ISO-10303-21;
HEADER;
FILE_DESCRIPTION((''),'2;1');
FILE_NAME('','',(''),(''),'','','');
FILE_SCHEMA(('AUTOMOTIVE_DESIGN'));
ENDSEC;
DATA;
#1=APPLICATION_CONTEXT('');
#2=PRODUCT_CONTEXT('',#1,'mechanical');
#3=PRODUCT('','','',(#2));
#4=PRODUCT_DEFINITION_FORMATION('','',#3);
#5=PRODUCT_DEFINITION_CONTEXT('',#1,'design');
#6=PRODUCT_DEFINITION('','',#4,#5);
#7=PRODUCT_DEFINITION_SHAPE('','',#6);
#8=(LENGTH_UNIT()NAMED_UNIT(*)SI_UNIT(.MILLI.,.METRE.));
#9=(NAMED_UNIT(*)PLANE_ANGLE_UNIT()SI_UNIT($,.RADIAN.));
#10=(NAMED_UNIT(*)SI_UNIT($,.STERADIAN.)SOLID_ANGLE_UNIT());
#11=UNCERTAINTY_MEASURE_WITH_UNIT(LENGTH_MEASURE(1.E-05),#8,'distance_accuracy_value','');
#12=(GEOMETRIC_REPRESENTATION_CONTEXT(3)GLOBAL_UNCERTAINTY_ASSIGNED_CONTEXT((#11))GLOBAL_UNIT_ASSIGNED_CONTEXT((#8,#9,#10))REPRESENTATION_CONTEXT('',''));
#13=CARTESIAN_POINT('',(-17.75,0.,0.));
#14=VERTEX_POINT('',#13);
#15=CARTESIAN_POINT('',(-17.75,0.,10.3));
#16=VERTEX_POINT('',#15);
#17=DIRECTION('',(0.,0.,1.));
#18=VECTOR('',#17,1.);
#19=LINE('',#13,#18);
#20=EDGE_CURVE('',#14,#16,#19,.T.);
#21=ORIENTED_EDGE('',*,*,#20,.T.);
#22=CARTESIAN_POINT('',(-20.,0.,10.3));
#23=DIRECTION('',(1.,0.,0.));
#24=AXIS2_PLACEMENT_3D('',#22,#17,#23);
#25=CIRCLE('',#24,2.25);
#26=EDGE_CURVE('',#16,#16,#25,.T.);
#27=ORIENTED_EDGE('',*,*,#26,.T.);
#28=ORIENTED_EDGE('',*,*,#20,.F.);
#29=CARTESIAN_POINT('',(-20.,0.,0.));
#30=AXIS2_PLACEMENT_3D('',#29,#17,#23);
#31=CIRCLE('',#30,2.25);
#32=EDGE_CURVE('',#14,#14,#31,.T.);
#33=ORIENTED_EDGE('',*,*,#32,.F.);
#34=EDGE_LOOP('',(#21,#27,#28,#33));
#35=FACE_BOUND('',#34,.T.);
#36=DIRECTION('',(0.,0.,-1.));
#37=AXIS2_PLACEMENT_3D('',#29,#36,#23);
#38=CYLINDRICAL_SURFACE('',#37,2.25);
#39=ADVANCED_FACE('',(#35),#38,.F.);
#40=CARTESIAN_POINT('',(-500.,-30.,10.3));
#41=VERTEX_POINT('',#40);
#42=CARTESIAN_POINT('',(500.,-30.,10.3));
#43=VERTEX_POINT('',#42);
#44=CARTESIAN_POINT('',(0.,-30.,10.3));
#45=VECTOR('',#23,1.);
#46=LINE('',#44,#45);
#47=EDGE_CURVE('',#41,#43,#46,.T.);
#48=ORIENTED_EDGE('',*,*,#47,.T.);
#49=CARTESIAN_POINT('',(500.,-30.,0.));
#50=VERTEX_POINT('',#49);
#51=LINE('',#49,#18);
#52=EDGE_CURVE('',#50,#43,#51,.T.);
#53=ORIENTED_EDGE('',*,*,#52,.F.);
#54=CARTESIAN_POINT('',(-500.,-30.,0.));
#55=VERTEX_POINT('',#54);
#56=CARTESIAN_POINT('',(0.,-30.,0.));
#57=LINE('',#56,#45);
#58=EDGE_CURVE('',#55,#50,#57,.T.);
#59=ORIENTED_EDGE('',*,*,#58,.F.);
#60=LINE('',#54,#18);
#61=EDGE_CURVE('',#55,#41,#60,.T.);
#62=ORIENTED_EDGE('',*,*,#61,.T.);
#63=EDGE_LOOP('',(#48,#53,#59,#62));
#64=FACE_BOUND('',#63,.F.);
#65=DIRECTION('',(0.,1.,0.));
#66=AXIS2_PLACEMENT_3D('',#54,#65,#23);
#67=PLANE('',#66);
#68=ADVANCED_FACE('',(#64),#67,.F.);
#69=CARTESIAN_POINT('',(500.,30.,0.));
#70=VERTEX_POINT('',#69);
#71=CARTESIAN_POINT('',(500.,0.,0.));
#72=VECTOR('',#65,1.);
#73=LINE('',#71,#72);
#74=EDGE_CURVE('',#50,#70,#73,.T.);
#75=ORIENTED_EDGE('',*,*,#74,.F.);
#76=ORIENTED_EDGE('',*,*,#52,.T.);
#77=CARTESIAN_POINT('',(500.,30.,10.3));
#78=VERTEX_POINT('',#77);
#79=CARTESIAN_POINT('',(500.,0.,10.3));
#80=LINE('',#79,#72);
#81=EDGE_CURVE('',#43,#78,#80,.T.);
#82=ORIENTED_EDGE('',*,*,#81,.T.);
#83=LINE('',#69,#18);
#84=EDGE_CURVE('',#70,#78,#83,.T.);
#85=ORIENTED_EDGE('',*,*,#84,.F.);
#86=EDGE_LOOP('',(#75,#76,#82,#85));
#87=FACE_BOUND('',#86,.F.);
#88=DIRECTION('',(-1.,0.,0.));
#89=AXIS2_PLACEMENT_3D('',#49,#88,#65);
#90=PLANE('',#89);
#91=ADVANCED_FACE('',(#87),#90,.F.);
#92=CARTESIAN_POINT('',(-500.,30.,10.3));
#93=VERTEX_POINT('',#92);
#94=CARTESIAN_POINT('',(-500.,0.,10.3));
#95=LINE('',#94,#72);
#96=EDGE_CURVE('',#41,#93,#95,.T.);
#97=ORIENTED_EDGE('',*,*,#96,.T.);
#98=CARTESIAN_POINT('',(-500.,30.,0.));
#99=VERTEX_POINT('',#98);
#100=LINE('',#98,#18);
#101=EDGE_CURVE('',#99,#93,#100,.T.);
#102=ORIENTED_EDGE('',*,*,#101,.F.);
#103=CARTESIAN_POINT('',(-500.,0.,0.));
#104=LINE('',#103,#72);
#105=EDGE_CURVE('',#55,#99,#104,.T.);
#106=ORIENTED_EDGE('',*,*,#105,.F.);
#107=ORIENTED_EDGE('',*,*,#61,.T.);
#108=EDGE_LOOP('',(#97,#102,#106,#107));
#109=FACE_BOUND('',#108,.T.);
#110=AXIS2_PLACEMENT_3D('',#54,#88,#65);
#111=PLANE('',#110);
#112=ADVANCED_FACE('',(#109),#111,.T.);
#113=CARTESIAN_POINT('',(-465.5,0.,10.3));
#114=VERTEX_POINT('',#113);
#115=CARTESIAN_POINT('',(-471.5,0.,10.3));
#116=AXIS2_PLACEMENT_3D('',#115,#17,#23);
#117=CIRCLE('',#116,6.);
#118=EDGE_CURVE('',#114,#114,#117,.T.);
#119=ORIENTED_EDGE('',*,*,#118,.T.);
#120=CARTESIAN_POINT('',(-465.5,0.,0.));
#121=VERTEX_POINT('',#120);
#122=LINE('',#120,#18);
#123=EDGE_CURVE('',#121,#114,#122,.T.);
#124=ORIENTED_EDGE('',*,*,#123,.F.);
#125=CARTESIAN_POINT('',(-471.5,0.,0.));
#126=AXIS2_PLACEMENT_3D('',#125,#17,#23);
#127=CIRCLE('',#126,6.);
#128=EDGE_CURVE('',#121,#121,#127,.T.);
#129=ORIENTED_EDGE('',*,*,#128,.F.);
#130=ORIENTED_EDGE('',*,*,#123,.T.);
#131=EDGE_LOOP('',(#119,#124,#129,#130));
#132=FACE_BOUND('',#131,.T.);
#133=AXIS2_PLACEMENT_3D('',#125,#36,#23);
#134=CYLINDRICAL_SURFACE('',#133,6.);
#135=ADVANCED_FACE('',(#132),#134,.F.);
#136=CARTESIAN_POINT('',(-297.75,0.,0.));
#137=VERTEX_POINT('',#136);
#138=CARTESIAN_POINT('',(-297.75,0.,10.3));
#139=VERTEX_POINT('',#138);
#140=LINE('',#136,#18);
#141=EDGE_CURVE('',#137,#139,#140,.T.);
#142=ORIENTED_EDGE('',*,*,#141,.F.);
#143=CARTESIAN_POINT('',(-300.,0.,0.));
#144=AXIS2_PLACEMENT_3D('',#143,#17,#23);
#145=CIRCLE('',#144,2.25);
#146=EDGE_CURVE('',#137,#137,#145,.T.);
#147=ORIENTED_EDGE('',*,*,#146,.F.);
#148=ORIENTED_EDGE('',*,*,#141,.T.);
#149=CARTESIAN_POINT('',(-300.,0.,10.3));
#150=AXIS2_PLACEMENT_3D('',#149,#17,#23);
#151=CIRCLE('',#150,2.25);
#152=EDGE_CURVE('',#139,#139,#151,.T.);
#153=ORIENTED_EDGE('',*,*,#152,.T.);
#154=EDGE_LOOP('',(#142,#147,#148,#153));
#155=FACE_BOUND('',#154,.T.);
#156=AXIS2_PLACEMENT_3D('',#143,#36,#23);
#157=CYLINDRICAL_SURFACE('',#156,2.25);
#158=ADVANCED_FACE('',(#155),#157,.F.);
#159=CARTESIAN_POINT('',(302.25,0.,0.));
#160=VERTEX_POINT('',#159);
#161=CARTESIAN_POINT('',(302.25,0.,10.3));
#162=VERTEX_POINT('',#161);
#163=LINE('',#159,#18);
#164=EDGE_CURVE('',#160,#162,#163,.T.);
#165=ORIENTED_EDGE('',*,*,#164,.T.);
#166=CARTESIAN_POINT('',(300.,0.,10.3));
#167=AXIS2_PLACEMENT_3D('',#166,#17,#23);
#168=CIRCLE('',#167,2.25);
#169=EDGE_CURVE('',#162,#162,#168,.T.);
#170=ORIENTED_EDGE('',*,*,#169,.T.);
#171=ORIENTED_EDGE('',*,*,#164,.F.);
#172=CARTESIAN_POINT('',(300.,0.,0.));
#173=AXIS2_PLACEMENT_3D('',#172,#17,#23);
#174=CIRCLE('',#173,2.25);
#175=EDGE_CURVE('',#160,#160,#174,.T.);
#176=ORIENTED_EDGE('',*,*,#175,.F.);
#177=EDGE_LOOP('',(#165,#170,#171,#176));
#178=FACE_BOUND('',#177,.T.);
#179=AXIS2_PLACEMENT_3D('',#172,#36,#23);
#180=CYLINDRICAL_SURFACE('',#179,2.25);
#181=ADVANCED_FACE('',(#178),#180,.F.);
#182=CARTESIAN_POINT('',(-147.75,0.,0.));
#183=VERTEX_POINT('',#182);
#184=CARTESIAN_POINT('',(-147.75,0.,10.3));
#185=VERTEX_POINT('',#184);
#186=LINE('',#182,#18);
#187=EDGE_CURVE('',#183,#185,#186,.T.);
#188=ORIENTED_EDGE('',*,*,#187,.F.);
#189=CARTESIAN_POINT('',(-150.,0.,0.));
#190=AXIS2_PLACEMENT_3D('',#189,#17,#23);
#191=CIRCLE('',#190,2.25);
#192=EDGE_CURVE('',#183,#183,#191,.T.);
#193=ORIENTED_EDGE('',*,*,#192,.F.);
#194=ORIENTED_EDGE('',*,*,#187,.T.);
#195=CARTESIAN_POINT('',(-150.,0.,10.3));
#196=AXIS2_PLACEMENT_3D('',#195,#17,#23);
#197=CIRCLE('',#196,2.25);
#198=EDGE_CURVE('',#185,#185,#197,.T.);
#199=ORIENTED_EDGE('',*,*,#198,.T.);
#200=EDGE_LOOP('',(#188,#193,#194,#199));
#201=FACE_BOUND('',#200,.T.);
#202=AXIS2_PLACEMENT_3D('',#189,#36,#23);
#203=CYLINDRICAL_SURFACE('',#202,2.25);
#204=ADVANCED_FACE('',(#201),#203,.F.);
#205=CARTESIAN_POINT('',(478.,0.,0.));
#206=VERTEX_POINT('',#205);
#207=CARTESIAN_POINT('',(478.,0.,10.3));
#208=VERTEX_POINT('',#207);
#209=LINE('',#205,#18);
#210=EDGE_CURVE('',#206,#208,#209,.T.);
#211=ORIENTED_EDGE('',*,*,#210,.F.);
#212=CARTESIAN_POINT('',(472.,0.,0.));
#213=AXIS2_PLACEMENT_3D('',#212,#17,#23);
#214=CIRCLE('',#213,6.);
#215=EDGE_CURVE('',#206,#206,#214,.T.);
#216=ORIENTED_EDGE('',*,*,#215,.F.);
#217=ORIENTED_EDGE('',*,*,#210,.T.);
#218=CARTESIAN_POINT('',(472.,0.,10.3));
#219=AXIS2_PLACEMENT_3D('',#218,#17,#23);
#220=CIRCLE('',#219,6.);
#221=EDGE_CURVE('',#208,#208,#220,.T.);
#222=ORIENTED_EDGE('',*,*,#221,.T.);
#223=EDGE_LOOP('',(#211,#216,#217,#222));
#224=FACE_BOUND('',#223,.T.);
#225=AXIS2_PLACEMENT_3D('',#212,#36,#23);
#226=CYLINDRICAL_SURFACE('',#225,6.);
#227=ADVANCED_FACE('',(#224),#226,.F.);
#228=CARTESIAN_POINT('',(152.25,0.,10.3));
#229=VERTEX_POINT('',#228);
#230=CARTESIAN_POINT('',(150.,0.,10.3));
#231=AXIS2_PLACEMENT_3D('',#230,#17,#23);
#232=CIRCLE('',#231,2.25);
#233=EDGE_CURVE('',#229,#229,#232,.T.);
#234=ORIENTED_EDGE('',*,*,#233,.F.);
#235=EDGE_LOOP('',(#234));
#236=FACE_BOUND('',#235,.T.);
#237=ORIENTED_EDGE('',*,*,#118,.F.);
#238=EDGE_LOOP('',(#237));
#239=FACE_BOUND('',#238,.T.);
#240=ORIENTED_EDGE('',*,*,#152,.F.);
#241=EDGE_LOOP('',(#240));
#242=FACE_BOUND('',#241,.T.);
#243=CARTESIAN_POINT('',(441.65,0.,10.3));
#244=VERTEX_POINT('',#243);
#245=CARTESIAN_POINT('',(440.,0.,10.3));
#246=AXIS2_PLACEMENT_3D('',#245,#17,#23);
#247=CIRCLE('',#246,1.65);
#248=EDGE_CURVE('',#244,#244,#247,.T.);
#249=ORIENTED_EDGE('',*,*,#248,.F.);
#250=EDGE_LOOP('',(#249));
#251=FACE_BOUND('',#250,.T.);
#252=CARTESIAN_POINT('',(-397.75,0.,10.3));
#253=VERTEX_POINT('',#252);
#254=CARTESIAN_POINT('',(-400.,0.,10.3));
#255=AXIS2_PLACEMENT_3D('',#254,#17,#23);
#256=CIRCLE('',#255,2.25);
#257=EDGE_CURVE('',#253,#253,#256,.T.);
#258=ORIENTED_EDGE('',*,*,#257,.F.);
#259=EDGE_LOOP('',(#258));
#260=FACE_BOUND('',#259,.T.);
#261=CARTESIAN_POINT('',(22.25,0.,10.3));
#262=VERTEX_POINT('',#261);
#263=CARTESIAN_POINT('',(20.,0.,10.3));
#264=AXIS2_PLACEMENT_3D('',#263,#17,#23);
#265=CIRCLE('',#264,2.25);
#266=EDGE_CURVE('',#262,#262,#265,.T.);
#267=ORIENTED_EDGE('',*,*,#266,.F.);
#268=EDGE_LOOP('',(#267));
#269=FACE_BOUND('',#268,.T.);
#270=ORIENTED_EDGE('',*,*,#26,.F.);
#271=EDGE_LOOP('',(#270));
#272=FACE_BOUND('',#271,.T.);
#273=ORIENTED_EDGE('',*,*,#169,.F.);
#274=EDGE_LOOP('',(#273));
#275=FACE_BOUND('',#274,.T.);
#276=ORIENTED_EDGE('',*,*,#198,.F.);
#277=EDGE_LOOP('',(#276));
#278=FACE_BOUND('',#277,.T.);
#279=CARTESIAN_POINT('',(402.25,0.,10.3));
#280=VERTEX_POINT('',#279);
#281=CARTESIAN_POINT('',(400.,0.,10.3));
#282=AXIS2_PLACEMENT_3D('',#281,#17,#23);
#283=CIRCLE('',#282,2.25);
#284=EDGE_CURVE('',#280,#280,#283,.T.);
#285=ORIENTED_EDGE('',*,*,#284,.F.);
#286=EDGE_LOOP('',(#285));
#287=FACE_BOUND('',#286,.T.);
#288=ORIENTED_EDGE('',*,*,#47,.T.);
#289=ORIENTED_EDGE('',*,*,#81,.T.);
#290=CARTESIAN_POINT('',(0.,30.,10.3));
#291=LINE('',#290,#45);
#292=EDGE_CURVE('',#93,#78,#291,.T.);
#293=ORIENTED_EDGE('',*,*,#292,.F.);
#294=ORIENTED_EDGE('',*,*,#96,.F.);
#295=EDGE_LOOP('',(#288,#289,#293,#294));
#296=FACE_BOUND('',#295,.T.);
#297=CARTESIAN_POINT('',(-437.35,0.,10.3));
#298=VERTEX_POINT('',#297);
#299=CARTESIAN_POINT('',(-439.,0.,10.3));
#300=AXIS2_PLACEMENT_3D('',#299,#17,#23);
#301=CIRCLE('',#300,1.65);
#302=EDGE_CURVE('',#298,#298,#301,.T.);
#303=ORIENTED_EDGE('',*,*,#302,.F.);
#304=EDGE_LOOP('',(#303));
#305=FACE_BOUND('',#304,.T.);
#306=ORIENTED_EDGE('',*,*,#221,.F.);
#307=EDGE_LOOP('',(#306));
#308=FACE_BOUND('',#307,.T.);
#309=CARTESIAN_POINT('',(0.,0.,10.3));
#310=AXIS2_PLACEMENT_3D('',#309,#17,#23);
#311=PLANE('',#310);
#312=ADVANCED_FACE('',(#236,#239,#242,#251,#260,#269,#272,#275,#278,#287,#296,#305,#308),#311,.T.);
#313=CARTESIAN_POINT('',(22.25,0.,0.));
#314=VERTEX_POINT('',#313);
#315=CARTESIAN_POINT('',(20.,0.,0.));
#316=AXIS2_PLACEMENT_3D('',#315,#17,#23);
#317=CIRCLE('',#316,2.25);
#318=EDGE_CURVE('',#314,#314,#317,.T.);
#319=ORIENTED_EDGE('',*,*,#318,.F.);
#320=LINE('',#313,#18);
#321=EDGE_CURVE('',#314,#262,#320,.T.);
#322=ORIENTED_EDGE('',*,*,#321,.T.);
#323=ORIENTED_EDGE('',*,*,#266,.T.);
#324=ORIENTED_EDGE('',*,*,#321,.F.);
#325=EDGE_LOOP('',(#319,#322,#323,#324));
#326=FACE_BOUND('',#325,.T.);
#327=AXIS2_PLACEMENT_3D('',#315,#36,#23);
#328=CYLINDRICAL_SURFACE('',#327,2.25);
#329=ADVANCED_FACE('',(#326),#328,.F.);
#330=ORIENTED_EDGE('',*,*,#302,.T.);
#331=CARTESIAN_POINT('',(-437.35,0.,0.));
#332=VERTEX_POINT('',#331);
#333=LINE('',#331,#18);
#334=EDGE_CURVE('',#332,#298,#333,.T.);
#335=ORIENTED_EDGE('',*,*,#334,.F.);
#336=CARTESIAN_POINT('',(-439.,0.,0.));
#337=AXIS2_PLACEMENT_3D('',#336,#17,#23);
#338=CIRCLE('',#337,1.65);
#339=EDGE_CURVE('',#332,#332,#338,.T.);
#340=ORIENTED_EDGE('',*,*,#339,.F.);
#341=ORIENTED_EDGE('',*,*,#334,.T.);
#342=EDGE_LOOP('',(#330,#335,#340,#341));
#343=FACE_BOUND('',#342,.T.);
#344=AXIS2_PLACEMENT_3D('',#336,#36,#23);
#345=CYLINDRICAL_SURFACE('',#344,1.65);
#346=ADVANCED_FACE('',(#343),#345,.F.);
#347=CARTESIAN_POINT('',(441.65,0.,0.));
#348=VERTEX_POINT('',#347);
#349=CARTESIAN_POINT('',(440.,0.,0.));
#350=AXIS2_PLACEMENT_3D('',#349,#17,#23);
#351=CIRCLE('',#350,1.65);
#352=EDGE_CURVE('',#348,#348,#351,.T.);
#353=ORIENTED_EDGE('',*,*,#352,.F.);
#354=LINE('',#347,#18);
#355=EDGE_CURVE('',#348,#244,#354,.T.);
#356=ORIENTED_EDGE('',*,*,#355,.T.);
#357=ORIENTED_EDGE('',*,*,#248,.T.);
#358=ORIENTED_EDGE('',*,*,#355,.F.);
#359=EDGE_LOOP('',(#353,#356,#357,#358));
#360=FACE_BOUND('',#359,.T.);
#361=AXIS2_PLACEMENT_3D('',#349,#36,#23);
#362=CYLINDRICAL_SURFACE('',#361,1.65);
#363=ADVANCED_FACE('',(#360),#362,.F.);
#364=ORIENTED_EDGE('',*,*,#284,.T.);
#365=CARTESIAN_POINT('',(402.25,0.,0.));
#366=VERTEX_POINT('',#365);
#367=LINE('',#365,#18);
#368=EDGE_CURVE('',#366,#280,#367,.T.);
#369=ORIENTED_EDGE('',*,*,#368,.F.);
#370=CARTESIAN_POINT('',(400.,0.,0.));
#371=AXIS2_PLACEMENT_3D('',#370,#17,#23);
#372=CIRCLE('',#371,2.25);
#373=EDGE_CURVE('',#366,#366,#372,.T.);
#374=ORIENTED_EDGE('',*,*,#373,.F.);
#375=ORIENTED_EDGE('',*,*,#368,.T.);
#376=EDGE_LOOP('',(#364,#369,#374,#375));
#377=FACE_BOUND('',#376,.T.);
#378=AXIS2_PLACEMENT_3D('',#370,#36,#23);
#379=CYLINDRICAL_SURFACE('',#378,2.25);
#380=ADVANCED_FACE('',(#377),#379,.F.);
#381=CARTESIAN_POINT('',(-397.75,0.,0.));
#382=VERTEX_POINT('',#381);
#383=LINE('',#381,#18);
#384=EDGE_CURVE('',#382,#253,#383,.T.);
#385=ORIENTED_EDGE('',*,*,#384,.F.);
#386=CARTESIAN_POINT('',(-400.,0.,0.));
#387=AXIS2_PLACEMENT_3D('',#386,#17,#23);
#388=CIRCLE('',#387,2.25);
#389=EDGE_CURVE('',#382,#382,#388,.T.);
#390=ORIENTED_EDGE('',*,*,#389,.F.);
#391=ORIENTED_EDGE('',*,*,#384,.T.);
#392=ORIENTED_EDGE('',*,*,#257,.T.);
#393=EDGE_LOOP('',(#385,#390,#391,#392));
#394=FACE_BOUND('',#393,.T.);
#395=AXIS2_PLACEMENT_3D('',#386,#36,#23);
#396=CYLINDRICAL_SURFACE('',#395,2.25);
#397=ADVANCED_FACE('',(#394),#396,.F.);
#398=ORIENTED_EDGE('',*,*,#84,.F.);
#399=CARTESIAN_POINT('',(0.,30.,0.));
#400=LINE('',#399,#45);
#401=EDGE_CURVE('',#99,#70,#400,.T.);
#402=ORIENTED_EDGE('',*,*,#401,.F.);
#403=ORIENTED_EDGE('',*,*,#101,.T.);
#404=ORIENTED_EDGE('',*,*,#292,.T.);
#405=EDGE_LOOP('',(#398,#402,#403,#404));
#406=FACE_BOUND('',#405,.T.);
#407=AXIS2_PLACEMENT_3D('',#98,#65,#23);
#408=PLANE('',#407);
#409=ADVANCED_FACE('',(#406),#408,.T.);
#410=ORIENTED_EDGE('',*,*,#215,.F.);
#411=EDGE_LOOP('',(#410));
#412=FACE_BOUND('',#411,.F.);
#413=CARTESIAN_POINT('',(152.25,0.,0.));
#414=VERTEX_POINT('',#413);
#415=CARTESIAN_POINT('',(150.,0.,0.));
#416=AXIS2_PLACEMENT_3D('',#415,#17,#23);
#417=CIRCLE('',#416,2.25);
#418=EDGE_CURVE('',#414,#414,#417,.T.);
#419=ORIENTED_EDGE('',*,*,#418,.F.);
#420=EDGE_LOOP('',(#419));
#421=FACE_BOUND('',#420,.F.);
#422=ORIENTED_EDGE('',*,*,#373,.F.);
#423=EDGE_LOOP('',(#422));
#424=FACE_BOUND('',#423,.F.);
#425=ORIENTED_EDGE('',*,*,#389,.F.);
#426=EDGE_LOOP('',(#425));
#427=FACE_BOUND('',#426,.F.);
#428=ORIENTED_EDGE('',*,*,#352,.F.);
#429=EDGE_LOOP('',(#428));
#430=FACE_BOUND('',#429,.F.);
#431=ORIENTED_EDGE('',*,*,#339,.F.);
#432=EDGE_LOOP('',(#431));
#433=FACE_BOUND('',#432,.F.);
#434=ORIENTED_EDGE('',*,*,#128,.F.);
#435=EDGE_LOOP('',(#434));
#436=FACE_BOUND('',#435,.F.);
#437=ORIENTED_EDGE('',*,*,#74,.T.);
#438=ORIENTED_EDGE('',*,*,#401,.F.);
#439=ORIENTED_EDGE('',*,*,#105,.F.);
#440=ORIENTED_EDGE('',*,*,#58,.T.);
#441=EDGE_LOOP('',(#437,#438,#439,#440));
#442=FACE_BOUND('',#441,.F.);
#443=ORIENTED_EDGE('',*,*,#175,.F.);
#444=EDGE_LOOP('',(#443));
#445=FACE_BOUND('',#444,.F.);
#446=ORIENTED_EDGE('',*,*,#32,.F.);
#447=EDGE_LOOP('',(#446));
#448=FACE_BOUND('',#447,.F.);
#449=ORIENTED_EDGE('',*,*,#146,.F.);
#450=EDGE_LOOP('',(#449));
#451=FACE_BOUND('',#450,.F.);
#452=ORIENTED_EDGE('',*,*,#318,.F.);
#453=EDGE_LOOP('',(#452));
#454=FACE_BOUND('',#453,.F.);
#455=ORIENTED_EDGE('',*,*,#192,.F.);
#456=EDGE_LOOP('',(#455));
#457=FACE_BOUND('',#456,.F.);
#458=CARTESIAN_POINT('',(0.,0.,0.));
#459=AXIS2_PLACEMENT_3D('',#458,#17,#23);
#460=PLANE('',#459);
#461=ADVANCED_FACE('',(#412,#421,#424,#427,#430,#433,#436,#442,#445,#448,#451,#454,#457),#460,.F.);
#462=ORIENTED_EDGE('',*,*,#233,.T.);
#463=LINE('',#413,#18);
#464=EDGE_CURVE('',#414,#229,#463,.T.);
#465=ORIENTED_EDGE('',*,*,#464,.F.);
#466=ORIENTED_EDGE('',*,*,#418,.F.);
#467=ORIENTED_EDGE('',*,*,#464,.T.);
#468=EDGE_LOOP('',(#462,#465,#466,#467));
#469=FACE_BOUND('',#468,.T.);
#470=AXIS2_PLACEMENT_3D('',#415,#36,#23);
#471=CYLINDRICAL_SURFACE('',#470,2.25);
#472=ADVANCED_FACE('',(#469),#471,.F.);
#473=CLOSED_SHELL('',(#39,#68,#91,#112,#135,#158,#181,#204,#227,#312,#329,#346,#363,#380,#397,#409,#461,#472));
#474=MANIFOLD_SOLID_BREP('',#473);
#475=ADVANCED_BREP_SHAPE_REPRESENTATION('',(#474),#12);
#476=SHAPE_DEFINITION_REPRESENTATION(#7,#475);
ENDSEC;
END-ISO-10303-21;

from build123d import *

# Parameters (mm, degrees)
F0_W     = 1000
F0_H     = 60
F0_R     = 6
F0_R_2   = 1.65
F0_R_3   = 2.25
F1_DEPTH = 10.3


with BuildPart() as f1:
    # F0 (on Top) → F1 (new body)
    with BuildSketch(Plane.XY):
        Rectangle(F0_W, F0_H)
        with Locations((-471.5, 0)):
            Circle(F0_R, mode=Mode.SUBTRACT)
        with Locations((-439, 0)):
            Circle(F0_R_2, mode=Mode.SUBTRACT)
        with Locations((-400, 0)):
            Circle(F0_R_3, mode=Mode.SUBTRACT)
        with Locations((-300, 0)):
            Circle(F0_R_3, mode=Mode.SUBTRACT)
        with Locations((-150, 0)):
            Circle(F0_R_3, mode=Mode.SUBTRACT)
        with Locations((-20, 0)):
            Circle(F0_R_3, mode=Mode.SUBTRACT)
        with Locations((20, 0)):
            Circle(F0_R_3, mode=Mode.SUBTRACT)
        with Locations((150, 0)):
            Circle(F0_R_3, mode=Mode.SUBTRACT)
        with Locations((300, 0)):
            Circle(F0_R_3, mode=Mode.SUBTRACT)
        with Locations((400, 0)):
            Circle(F0_R_3, mode=Mode.SUBTRACT)
        with Locations((440, 0)):
            Circle(F0_R_2, mode=Mode.SUBTRACT)
        with Locations((472, 0)):
            Circle(F0_R, mode=Mode.SUBTRACT)
    extrude(amount=F1_DEPTH)


solid = f1.part
